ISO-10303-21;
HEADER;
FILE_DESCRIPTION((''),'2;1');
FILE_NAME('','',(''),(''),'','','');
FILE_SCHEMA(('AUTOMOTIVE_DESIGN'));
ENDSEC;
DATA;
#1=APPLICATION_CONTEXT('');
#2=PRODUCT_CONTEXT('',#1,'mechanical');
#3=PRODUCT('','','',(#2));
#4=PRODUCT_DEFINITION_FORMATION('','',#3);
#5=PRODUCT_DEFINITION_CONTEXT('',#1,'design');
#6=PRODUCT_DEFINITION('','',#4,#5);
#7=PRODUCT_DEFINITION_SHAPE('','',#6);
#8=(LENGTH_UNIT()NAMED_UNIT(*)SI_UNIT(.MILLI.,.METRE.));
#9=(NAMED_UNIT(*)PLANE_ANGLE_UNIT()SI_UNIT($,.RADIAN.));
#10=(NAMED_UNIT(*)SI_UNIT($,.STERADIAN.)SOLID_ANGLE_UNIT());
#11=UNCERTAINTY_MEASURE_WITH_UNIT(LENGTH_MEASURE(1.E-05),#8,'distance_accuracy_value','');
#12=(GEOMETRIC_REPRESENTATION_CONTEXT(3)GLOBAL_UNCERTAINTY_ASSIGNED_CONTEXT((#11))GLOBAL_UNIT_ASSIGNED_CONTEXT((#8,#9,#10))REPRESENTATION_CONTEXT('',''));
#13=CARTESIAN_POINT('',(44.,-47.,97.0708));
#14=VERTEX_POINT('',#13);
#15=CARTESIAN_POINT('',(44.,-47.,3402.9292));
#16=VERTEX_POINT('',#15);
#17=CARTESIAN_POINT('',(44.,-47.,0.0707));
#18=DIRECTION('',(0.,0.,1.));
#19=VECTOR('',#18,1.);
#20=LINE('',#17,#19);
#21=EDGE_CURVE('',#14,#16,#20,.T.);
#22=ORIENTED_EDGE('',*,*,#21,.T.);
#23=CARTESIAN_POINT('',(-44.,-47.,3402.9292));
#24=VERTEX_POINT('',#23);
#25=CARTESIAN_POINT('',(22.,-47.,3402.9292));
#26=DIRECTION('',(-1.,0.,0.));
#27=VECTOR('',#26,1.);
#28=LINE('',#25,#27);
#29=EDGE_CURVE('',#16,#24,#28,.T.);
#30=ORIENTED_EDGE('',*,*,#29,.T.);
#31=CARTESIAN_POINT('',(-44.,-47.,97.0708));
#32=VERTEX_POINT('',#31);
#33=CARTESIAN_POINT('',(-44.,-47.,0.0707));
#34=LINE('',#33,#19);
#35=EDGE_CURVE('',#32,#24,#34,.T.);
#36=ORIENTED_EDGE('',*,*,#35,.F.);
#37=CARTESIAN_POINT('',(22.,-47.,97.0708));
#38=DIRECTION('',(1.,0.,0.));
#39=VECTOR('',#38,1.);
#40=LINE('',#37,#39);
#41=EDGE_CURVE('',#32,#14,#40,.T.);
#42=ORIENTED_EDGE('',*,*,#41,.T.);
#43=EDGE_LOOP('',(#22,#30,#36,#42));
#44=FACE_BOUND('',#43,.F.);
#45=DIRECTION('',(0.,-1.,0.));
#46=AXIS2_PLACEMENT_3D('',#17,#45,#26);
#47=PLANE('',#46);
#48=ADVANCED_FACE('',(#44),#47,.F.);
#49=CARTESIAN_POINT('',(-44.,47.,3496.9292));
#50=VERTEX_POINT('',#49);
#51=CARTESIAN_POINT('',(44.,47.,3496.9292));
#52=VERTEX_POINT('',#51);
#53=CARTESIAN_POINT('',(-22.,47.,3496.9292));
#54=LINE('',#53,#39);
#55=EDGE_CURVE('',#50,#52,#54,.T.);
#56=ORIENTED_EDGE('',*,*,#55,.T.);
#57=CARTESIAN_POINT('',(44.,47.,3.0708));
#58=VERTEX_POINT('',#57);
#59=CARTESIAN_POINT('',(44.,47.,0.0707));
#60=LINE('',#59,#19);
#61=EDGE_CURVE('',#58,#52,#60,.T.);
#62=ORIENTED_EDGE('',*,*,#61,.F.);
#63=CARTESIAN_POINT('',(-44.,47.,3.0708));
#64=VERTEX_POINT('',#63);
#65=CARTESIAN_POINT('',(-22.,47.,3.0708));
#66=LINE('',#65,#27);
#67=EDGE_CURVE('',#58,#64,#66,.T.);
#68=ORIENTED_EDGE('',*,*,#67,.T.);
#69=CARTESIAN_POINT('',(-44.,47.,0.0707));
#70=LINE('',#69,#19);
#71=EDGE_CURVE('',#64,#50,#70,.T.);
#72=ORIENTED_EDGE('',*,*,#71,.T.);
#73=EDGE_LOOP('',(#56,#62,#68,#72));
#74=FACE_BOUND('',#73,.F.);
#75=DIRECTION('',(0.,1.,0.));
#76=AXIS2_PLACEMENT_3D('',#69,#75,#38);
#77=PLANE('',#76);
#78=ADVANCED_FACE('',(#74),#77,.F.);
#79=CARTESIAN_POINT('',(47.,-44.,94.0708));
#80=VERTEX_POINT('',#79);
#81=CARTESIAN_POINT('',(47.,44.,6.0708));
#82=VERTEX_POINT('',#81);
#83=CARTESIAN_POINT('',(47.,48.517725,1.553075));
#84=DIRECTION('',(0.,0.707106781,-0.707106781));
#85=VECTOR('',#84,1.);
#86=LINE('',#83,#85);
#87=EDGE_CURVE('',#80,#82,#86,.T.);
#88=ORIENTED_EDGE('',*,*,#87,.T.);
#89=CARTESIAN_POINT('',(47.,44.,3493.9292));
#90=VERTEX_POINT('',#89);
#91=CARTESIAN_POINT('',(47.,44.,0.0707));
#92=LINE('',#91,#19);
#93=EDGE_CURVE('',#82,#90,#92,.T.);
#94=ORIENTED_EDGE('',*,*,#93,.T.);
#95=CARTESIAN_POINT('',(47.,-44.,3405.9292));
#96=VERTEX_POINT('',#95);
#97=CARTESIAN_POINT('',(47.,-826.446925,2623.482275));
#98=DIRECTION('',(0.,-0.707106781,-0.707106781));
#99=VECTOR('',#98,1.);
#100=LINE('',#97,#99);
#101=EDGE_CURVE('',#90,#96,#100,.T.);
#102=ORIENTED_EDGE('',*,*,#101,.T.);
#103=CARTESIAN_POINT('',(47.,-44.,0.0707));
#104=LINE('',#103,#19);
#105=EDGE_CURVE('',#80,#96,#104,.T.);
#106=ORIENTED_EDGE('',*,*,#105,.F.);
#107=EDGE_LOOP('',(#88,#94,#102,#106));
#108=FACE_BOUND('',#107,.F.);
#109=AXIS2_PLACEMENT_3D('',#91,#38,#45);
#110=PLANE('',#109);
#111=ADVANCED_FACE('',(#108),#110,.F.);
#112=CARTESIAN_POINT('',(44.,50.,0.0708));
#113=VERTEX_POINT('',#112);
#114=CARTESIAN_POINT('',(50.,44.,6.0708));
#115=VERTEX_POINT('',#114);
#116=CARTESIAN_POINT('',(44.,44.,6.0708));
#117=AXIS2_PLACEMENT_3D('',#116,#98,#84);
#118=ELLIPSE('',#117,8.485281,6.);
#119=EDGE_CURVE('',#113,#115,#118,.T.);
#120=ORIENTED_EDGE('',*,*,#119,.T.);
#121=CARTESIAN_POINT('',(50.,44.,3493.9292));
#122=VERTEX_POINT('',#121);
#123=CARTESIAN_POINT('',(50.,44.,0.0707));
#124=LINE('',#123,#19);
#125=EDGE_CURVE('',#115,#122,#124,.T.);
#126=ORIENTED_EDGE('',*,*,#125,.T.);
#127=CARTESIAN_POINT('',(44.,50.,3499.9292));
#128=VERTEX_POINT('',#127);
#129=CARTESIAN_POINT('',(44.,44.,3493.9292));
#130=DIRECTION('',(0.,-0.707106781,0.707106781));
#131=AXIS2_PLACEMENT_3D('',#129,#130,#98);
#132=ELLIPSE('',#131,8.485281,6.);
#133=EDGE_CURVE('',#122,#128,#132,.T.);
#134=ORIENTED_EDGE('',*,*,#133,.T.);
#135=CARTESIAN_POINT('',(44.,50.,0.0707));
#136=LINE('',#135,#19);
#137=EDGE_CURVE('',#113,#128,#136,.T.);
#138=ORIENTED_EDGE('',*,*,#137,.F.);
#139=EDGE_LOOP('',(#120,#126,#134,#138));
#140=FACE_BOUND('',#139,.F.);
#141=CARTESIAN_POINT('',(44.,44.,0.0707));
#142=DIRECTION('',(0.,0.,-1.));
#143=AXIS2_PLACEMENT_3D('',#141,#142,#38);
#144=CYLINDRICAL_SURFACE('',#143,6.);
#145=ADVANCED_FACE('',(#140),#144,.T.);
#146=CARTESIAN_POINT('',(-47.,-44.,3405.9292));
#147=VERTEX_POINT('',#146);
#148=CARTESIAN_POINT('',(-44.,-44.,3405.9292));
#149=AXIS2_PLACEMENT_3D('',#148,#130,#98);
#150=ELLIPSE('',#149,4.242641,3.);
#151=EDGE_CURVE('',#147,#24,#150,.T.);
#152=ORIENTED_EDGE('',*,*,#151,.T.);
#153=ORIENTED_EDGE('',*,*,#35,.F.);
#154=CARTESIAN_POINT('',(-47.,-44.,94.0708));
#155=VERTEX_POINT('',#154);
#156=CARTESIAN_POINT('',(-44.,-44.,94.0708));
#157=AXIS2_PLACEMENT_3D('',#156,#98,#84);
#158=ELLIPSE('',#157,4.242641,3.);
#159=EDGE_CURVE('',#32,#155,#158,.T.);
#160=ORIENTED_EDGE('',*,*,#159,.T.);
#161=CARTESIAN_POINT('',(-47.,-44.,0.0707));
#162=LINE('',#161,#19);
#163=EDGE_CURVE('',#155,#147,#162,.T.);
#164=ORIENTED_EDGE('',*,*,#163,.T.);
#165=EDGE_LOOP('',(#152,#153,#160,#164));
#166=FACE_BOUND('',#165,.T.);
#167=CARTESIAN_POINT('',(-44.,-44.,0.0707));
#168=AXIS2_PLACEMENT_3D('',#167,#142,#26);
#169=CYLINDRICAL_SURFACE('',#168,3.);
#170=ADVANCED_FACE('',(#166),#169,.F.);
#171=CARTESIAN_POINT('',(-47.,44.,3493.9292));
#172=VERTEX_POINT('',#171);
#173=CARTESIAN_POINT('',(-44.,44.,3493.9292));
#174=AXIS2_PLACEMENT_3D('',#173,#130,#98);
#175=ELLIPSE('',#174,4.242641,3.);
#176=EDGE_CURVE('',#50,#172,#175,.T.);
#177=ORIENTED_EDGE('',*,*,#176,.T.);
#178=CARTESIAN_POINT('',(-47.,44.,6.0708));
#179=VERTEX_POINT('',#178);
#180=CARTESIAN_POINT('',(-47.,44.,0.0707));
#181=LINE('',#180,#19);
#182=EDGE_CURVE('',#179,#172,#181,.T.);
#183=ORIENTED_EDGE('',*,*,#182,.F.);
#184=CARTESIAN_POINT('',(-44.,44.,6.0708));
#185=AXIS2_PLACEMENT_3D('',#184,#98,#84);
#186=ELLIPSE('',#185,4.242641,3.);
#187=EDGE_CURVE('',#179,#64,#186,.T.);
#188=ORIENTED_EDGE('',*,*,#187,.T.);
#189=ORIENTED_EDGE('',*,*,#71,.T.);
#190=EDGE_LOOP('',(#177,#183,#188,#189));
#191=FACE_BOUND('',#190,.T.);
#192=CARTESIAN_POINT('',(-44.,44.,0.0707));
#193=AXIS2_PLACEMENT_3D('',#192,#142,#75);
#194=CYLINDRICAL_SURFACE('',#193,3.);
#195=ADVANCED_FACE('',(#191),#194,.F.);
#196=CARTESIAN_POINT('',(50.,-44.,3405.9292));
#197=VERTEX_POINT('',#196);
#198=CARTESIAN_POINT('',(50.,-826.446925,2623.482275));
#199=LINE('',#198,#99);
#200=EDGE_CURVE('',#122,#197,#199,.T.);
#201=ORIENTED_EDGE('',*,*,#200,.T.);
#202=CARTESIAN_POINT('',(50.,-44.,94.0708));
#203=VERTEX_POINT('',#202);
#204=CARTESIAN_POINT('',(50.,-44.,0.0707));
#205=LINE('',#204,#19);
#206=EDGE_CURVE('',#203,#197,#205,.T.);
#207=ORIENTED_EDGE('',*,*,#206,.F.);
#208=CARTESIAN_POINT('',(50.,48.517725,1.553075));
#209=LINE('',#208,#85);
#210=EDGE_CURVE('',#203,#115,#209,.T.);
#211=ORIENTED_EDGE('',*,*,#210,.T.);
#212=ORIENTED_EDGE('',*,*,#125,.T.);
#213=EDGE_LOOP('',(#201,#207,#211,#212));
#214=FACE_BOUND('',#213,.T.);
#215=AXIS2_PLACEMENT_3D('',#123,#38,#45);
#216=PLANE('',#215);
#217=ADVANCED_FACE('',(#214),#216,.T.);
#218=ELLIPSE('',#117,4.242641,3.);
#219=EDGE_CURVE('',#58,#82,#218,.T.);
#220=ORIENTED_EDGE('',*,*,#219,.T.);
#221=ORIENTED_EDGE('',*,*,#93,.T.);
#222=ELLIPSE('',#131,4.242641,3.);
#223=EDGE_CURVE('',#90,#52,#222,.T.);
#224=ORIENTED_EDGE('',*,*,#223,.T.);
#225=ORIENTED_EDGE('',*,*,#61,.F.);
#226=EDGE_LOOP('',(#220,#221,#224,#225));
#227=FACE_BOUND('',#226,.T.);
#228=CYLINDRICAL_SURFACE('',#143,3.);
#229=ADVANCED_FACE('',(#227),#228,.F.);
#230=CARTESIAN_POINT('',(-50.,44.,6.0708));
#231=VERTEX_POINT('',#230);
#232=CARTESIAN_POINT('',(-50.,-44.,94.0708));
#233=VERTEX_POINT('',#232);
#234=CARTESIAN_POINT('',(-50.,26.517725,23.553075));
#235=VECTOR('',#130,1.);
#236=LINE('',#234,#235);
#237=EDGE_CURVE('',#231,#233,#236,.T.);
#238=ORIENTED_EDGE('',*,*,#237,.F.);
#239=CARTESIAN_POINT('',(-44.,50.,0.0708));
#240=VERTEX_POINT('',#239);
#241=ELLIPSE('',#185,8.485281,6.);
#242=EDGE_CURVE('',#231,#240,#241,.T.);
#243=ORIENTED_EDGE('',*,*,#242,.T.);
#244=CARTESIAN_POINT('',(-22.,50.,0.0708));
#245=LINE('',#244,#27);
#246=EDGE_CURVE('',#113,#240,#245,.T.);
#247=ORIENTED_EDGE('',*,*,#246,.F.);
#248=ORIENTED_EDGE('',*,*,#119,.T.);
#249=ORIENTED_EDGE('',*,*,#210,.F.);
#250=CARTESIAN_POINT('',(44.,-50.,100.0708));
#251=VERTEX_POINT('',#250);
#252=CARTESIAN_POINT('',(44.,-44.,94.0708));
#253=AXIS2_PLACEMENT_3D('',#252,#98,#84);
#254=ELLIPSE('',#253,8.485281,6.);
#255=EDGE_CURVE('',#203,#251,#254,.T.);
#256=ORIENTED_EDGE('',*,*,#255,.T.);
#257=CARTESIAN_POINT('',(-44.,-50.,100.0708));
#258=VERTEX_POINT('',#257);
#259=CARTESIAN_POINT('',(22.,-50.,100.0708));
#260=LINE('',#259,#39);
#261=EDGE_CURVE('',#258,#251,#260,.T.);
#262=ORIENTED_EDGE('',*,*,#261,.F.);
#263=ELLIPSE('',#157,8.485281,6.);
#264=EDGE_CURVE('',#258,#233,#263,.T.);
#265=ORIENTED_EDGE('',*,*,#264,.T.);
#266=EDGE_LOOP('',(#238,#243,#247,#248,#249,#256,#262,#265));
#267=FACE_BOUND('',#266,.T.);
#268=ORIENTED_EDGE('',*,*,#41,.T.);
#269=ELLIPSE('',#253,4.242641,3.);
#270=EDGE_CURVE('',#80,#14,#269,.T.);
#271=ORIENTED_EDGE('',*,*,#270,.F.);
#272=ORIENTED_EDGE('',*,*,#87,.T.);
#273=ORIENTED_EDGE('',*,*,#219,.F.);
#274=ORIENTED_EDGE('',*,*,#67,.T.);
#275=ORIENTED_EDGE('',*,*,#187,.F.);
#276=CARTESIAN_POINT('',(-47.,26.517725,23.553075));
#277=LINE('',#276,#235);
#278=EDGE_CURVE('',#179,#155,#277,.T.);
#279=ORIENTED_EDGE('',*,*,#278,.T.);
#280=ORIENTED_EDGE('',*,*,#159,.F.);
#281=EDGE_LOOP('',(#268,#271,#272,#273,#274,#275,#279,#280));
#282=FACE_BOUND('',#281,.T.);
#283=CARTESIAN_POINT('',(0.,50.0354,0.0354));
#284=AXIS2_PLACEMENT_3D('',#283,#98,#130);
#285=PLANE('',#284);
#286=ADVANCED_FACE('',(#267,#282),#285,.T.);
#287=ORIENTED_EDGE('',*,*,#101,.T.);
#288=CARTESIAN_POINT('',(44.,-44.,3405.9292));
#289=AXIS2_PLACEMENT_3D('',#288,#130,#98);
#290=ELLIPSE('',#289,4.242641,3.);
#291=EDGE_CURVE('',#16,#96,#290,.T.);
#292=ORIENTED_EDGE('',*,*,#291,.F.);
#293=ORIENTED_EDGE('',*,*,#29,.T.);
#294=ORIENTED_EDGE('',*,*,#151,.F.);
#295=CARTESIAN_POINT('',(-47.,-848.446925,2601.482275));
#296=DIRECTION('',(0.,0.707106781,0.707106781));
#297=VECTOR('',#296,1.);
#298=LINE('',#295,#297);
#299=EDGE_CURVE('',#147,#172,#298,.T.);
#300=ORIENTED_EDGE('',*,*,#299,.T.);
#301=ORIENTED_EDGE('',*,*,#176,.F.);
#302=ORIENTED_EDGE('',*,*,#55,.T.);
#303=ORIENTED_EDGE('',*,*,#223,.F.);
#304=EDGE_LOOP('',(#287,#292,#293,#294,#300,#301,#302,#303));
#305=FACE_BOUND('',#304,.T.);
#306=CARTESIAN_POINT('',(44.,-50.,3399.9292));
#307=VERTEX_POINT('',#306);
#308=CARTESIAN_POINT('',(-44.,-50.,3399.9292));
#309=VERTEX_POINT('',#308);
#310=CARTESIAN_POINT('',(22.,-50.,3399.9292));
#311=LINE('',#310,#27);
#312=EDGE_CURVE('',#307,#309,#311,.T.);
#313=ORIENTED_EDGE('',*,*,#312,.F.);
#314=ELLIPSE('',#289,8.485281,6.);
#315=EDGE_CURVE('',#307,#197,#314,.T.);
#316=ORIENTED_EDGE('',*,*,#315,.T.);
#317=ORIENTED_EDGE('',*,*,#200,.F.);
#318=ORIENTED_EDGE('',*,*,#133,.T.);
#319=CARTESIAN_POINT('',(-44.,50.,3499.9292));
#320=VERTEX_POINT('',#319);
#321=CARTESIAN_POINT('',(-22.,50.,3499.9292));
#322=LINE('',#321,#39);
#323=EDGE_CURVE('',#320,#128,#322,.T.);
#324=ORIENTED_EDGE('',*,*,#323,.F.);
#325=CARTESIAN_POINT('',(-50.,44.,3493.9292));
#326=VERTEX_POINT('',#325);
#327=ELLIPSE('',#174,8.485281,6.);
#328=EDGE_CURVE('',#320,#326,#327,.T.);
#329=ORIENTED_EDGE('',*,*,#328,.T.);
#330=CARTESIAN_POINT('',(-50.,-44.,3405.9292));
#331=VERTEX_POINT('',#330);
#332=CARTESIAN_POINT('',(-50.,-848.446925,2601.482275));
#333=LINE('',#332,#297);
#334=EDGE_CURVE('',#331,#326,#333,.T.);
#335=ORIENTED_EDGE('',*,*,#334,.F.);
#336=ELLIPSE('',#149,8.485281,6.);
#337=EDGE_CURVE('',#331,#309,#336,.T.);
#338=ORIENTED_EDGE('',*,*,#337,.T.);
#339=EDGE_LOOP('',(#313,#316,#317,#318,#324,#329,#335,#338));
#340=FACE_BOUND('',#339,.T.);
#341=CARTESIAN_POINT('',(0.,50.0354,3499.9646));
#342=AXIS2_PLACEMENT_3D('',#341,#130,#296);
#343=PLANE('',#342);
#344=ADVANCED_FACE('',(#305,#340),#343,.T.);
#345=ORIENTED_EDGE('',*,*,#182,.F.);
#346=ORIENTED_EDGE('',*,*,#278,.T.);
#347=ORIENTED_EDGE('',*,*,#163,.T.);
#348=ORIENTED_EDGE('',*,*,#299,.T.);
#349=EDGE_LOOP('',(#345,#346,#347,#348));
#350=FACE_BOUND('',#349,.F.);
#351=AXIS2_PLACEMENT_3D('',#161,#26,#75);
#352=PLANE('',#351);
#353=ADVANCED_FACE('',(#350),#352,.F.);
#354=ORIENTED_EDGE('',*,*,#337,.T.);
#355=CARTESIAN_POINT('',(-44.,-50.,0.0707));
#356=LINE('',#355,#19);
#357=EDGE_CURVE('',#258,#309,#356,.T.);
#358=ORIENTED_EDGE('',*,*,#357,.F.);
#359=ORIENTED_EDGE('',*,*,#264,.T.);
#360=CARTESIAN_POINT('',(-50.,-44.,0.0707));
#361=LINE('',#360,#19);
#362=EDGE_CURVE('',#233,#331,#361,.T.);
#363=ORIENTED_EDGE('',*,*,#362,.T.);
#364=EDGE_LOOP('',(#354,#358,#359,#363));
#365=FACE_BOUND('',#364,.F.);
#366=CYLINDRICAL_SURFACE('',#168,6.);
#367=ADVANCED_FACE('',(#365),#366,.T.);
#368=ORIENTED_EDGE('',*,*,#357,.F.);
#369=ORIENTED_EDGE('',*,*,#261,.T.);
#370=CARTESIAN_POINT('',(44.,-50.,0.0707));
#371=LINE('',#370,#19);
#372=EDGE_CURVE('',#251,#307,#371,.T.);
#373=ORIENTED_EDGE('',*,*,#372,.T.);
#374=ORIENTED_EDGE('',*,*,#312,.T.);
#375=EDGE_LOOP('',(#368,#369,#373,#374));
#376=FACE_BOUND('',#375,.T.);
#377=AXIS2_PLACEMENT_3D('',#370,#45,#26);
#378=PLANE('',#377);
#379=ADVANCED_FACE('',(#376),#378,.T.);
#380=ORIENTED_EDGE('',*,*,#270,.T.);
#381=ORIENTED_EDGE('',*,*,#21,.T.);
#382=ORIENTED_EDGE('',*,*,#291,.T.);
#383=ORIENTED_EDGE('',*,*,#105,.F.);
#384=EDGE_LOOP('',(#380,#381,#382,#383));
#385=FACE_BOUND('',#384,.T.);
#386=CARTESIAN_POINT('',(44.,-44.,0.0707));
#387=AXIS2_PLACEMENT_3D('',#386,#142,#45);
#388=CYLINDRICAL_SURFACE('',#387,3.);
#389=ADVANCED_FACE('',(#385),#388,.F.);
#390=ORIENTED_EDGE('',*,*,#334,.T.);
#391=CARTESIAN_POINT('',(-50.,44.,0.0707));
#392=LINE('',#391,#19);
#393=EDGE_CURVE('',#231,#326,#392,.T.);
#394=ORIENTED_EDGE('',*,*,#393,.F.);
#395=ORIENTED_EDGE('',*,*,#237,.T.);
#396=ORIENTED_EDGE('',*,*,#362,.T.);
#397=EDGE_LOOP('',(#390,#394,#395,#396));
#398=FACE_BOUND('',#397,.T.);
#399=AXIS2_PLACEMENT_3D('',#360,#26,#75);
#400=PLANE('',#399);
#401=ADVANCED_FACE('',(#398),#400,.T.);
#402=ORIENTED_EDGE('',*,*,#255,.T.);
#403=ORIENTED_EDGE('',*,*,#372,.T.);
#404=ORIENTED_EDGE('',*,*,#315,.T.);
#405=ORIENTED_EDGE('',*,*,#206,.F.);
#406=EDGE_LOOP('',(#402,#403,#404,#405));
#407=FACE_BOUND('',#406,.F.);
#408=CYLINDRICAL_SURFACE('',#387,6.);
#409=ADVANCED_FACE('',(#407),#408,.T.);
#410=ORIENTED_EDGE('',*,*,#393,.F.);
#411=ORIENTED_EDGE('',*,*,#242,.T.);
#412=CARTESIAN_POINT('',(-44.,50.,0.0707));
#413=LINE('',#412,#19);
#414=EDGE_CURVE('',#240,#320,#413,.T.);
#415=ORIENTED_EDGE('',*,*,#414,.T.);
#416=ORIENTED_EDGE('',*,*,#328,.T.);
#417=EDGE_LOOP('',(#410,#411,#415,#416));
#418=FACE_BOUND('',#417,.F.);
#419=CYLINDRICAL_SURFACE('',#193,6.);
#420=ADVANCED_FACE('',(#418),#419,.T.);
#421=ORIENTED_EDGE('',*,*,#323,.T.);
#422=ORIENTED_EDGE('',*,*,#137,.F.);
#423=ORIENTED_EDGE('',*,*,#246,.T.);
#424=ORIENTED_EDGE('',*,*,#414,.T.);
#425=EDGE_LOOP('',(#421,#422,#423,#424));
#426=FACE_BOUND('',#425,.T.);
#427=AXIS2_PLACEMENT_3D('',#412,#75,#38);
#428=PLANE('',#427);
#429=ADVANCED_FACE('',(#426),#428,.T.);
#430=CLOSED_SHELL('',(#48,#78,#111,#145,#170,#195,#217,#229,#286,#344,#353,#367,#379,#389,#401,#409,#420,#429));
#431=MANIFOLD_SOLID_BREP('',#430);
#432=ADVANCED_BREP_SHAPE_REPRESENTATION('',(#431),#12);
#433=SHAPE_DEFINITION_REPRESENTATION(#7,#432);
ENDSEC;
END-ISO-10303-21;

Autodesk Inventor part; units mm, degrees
ref_plane "Start Plane" through (0, 0, 0.0707) normal (0, 0, 1) x (1, 0, 0)
ref_plane "End Plane" through (0, 0, 3499.9293) normal (0, 0, 1) x (1, 0, 0)
sketch "Sketch" plane through (0, 0, 0) normal (0, 0, 1) x (1, 0, 0)
  line L0 (-50, -44) -> (-50, 44)
  line L1 (-44, 50) -> (44, 50)
  line L2 (50, 44) -> (50, -44)
  line L3 (44, -50) -> (-44, -50)
  arc A0 (-50, -44) -> (-44, -50) centre (-44, -44) ccw
  arc A1 (50, 44) -> (44, 50) centre (44, 44) ccw
  arc A2 (-44, 50) -> (-50, 44) centre (-44, 44) ccw
  arc A3 (44, -50) -> (50, -44) centre (44, -44) ccw
  arc A4 (-44, 47) -> (-47, 44) centre (-44, 44) ccw
  line L4 (-44, 47) -> (44, 47)
  arc A5 (47, 44) -> (44, 47) centre (44, 44) ccw
  line L5 (47, 44) -> (47, -44)
  arc A6 (44, -47) -> (47, -44) centre (44, -44) ccw
  line L6 (44, -47) -> (-44, -47)
  arc A7 (-47, -44) -> (-44, -47) centre (-44, -44) ccw
  line L7 (-47, -44) -> (-47, 44)
  line L8 (0, 71.7397) -> (0, -71.7397) construction
  line L9 (-71.7397, 0) -> (71.7397, 0) construction
  dimension "d7" = 6
  dimension "d9" = 100
  dimension "d11" = 100
  dimension "d12" = 3
  dimension "d15" = 50
  dimension "d16" = 50
extrude "Body" add sketch "Sketch" along normal up to surface (3499.8586 mm away) from surface at 0.0707
sketch "Sketch3" plane through (0, 0, 0) normal (0, 0, 1) x (1, 0, 0)
  line L0 (0, 0) -> (10, 0)
ref_plane "Work Plane3" through (0, 0, 0) normal (0, -1, 0) x (1, 0, 0)
ref_plane "Work Plane4" through (0, 50.0354, 3499.9646) normal (0, -0.7071, 0.7071) x (1, 0, 0)
split "Split1" plane through (0, 50.0354, 3499.9646) removes the side toward (0, -0.7071, 0.7071)
ref_plane "Work Plane5" through (0, 50.0354, 0.0354) normal (0, -0.7071, -0.7071) x (1, 0, 0)
split "Split2" plane through (0, 50.0354, 0.0354) removes the side toward (0, -0.7071, -0.7071)
sketch "Sketch4" plane through (0, 0, 0) normal (0, -1, 0) x (1, 0, 0)
  line L0 (-2, 0.0707) -> (12, 0.0707) projected
  line L1 (-2, 3499.9293) -> (12, 3499.9293) projected
  dimension "d18" = 3499.8586
equation "\"d7\" = G_IR"
equation "\"d9\" = G_W"
equation "\"d11\" = G_H"
equation "\"d12\" = G_T"
equation "\"d15\" = 0.5 * d9"
equation "\"d16\" = 0.5 * d11"
equation "\"d3\" = G_L"
equation "\"G_W\" = 100"
equation "\"G_H\" = 100"
equation "\"G_T\" = 3"
equation "\"G_IR\" = 6"
equation "\"G_L\" = d18"
equation "\"G_OFFSET_START\" = -0.07071"
equation "\"G_OFFSET_END\" = -0.07071"
equation "\"d13\" = -G_OFFSET_START"
equation "\"d14\" = G_OFFSET_END + B_L"
equation "\"B_L\" = 3500"
properties part number "ISO 10799-2 - 100x100x3 - 3499.86" material "Steel"
